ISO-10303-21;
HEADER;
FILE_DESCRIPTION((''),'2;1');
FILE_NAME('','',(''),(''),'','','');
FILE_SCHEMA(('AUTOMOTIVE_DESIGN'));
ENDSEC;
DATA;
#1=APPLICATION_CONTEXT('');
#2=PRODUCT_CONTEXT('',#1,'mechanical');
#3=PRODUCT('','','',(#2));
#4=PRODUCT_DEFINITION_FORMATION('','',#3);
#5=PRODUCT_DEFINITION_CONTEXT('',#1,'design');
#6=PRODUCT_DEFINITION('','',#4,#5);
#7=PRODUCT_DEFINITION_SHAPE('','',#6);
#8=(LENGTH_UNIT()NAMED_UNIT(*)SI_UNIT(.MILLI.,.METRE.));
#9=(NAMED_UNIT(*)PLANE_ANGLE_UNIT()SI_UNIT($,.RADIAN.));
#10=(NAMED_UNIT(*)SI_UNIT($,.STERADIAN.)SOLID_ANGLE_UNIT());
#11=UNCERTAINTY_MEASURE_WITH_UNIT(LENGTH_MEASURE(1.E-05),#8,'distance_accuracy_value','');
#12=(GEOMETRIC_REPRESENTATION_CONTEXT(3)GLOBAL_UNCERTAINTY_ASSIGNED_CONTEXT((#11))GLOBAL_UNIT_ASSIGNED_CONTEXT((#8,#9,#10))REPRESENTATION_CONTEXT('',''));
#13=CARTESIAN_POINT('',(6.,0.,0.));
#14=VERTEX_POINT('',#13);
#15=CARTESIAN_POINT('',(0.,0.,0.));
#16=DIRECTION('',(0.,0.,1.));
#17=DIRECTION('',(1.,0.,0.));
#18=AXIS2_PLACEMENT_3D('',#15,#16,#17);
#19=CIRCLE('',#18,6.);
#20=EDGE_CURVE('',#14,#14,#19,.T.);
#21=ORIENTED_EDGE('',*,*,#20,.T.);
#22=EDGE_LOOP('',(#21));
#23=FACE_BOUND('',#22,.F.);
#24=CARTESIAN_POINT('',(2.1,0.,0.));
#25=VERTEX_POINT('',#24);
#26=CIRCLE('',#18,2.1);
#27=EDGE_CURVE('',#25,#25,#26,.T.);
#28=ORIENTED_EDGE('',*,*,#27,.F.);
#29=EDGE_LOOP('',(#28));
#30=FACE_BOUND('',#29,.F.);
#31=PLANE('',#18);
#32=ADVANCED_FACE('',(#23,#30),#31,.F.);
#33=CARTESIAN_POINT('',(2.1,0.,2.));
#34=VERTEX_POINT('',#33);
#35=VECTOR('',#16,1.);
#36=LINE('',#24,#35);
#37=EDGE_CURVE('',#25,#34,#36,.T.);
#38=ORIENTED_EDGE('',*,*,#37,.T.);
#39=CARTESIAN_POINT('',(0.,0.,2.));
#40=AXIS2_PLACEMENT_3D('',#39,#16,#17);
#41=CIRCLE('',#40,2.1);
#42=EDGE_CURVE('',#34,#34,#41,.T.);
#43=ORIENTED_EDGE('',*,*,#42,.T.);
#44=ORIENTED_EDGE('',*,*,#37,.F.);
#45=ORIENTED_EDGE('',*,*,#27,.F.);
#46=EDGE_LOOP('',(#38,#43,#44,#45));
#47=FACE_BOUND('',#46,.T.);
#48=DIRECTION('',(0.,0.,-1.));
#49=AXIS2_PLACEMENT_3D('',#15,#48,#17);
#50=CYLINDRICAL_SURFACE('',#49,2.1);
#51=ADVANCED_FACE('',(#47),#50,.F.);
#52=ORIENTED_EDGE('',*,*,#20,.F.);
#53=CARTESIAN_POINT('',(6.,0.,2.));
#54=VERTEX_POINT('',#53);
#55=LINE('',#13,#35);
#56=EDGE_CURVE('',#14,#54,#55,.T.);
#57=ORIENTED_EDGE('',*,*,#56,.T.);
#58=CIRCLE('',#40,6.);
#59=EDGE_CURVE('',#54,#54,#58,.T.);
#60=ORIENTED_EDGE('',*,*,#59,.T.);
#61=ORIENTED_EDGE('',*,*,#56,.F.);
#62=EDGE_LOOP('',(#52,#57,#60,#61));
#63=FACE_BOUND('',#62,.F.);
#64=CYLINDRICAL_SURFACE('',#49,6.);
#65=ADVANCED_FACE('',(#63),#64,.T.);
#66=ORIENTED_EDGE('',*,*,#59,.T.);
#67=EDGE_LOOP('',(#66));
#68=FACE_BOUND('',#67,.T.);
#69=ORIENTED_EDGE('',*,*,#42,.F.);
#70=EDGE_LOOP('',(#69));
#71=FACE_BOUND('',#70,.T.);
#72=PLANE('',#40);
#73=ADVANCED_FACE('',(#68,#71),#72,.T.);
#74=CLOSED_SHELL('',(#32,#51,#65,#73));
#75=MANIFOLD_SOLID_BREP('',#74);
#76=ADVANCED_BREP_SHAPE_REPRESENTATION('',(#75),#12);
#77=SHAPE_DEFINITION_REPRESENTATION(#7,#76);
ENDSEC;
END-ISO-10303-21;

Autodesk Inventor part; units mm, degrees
ref_plane "YZ Plane" through (0, 0, 0) normal (1, 0, 0) x (0, 1, 0)
ref_plane "XZ Plane" through (0, 0, 0) normal (0, 1, 0) x (-1, 0, 0)
ref_plane "XY Plane" through (0, 0, 0) normal (0, 0, 1) x (1, 0, 0)
sketch "スケッチ1" plane through (0, 0, 0) normal (0, 0, 1) x (1, 0, 0)
  circle A0 centre (0, 0) radius 2.1
  circle A1 centre (0, 0) radius 6
  dimension "d0" = 4.2
  dimension "d1" = 12
extrude "押し出し1" add sketch "スケッチ1" along normal blind 2
properties part number "UUW-0412-20H" material "ステンレス鋼 AISI 304"
